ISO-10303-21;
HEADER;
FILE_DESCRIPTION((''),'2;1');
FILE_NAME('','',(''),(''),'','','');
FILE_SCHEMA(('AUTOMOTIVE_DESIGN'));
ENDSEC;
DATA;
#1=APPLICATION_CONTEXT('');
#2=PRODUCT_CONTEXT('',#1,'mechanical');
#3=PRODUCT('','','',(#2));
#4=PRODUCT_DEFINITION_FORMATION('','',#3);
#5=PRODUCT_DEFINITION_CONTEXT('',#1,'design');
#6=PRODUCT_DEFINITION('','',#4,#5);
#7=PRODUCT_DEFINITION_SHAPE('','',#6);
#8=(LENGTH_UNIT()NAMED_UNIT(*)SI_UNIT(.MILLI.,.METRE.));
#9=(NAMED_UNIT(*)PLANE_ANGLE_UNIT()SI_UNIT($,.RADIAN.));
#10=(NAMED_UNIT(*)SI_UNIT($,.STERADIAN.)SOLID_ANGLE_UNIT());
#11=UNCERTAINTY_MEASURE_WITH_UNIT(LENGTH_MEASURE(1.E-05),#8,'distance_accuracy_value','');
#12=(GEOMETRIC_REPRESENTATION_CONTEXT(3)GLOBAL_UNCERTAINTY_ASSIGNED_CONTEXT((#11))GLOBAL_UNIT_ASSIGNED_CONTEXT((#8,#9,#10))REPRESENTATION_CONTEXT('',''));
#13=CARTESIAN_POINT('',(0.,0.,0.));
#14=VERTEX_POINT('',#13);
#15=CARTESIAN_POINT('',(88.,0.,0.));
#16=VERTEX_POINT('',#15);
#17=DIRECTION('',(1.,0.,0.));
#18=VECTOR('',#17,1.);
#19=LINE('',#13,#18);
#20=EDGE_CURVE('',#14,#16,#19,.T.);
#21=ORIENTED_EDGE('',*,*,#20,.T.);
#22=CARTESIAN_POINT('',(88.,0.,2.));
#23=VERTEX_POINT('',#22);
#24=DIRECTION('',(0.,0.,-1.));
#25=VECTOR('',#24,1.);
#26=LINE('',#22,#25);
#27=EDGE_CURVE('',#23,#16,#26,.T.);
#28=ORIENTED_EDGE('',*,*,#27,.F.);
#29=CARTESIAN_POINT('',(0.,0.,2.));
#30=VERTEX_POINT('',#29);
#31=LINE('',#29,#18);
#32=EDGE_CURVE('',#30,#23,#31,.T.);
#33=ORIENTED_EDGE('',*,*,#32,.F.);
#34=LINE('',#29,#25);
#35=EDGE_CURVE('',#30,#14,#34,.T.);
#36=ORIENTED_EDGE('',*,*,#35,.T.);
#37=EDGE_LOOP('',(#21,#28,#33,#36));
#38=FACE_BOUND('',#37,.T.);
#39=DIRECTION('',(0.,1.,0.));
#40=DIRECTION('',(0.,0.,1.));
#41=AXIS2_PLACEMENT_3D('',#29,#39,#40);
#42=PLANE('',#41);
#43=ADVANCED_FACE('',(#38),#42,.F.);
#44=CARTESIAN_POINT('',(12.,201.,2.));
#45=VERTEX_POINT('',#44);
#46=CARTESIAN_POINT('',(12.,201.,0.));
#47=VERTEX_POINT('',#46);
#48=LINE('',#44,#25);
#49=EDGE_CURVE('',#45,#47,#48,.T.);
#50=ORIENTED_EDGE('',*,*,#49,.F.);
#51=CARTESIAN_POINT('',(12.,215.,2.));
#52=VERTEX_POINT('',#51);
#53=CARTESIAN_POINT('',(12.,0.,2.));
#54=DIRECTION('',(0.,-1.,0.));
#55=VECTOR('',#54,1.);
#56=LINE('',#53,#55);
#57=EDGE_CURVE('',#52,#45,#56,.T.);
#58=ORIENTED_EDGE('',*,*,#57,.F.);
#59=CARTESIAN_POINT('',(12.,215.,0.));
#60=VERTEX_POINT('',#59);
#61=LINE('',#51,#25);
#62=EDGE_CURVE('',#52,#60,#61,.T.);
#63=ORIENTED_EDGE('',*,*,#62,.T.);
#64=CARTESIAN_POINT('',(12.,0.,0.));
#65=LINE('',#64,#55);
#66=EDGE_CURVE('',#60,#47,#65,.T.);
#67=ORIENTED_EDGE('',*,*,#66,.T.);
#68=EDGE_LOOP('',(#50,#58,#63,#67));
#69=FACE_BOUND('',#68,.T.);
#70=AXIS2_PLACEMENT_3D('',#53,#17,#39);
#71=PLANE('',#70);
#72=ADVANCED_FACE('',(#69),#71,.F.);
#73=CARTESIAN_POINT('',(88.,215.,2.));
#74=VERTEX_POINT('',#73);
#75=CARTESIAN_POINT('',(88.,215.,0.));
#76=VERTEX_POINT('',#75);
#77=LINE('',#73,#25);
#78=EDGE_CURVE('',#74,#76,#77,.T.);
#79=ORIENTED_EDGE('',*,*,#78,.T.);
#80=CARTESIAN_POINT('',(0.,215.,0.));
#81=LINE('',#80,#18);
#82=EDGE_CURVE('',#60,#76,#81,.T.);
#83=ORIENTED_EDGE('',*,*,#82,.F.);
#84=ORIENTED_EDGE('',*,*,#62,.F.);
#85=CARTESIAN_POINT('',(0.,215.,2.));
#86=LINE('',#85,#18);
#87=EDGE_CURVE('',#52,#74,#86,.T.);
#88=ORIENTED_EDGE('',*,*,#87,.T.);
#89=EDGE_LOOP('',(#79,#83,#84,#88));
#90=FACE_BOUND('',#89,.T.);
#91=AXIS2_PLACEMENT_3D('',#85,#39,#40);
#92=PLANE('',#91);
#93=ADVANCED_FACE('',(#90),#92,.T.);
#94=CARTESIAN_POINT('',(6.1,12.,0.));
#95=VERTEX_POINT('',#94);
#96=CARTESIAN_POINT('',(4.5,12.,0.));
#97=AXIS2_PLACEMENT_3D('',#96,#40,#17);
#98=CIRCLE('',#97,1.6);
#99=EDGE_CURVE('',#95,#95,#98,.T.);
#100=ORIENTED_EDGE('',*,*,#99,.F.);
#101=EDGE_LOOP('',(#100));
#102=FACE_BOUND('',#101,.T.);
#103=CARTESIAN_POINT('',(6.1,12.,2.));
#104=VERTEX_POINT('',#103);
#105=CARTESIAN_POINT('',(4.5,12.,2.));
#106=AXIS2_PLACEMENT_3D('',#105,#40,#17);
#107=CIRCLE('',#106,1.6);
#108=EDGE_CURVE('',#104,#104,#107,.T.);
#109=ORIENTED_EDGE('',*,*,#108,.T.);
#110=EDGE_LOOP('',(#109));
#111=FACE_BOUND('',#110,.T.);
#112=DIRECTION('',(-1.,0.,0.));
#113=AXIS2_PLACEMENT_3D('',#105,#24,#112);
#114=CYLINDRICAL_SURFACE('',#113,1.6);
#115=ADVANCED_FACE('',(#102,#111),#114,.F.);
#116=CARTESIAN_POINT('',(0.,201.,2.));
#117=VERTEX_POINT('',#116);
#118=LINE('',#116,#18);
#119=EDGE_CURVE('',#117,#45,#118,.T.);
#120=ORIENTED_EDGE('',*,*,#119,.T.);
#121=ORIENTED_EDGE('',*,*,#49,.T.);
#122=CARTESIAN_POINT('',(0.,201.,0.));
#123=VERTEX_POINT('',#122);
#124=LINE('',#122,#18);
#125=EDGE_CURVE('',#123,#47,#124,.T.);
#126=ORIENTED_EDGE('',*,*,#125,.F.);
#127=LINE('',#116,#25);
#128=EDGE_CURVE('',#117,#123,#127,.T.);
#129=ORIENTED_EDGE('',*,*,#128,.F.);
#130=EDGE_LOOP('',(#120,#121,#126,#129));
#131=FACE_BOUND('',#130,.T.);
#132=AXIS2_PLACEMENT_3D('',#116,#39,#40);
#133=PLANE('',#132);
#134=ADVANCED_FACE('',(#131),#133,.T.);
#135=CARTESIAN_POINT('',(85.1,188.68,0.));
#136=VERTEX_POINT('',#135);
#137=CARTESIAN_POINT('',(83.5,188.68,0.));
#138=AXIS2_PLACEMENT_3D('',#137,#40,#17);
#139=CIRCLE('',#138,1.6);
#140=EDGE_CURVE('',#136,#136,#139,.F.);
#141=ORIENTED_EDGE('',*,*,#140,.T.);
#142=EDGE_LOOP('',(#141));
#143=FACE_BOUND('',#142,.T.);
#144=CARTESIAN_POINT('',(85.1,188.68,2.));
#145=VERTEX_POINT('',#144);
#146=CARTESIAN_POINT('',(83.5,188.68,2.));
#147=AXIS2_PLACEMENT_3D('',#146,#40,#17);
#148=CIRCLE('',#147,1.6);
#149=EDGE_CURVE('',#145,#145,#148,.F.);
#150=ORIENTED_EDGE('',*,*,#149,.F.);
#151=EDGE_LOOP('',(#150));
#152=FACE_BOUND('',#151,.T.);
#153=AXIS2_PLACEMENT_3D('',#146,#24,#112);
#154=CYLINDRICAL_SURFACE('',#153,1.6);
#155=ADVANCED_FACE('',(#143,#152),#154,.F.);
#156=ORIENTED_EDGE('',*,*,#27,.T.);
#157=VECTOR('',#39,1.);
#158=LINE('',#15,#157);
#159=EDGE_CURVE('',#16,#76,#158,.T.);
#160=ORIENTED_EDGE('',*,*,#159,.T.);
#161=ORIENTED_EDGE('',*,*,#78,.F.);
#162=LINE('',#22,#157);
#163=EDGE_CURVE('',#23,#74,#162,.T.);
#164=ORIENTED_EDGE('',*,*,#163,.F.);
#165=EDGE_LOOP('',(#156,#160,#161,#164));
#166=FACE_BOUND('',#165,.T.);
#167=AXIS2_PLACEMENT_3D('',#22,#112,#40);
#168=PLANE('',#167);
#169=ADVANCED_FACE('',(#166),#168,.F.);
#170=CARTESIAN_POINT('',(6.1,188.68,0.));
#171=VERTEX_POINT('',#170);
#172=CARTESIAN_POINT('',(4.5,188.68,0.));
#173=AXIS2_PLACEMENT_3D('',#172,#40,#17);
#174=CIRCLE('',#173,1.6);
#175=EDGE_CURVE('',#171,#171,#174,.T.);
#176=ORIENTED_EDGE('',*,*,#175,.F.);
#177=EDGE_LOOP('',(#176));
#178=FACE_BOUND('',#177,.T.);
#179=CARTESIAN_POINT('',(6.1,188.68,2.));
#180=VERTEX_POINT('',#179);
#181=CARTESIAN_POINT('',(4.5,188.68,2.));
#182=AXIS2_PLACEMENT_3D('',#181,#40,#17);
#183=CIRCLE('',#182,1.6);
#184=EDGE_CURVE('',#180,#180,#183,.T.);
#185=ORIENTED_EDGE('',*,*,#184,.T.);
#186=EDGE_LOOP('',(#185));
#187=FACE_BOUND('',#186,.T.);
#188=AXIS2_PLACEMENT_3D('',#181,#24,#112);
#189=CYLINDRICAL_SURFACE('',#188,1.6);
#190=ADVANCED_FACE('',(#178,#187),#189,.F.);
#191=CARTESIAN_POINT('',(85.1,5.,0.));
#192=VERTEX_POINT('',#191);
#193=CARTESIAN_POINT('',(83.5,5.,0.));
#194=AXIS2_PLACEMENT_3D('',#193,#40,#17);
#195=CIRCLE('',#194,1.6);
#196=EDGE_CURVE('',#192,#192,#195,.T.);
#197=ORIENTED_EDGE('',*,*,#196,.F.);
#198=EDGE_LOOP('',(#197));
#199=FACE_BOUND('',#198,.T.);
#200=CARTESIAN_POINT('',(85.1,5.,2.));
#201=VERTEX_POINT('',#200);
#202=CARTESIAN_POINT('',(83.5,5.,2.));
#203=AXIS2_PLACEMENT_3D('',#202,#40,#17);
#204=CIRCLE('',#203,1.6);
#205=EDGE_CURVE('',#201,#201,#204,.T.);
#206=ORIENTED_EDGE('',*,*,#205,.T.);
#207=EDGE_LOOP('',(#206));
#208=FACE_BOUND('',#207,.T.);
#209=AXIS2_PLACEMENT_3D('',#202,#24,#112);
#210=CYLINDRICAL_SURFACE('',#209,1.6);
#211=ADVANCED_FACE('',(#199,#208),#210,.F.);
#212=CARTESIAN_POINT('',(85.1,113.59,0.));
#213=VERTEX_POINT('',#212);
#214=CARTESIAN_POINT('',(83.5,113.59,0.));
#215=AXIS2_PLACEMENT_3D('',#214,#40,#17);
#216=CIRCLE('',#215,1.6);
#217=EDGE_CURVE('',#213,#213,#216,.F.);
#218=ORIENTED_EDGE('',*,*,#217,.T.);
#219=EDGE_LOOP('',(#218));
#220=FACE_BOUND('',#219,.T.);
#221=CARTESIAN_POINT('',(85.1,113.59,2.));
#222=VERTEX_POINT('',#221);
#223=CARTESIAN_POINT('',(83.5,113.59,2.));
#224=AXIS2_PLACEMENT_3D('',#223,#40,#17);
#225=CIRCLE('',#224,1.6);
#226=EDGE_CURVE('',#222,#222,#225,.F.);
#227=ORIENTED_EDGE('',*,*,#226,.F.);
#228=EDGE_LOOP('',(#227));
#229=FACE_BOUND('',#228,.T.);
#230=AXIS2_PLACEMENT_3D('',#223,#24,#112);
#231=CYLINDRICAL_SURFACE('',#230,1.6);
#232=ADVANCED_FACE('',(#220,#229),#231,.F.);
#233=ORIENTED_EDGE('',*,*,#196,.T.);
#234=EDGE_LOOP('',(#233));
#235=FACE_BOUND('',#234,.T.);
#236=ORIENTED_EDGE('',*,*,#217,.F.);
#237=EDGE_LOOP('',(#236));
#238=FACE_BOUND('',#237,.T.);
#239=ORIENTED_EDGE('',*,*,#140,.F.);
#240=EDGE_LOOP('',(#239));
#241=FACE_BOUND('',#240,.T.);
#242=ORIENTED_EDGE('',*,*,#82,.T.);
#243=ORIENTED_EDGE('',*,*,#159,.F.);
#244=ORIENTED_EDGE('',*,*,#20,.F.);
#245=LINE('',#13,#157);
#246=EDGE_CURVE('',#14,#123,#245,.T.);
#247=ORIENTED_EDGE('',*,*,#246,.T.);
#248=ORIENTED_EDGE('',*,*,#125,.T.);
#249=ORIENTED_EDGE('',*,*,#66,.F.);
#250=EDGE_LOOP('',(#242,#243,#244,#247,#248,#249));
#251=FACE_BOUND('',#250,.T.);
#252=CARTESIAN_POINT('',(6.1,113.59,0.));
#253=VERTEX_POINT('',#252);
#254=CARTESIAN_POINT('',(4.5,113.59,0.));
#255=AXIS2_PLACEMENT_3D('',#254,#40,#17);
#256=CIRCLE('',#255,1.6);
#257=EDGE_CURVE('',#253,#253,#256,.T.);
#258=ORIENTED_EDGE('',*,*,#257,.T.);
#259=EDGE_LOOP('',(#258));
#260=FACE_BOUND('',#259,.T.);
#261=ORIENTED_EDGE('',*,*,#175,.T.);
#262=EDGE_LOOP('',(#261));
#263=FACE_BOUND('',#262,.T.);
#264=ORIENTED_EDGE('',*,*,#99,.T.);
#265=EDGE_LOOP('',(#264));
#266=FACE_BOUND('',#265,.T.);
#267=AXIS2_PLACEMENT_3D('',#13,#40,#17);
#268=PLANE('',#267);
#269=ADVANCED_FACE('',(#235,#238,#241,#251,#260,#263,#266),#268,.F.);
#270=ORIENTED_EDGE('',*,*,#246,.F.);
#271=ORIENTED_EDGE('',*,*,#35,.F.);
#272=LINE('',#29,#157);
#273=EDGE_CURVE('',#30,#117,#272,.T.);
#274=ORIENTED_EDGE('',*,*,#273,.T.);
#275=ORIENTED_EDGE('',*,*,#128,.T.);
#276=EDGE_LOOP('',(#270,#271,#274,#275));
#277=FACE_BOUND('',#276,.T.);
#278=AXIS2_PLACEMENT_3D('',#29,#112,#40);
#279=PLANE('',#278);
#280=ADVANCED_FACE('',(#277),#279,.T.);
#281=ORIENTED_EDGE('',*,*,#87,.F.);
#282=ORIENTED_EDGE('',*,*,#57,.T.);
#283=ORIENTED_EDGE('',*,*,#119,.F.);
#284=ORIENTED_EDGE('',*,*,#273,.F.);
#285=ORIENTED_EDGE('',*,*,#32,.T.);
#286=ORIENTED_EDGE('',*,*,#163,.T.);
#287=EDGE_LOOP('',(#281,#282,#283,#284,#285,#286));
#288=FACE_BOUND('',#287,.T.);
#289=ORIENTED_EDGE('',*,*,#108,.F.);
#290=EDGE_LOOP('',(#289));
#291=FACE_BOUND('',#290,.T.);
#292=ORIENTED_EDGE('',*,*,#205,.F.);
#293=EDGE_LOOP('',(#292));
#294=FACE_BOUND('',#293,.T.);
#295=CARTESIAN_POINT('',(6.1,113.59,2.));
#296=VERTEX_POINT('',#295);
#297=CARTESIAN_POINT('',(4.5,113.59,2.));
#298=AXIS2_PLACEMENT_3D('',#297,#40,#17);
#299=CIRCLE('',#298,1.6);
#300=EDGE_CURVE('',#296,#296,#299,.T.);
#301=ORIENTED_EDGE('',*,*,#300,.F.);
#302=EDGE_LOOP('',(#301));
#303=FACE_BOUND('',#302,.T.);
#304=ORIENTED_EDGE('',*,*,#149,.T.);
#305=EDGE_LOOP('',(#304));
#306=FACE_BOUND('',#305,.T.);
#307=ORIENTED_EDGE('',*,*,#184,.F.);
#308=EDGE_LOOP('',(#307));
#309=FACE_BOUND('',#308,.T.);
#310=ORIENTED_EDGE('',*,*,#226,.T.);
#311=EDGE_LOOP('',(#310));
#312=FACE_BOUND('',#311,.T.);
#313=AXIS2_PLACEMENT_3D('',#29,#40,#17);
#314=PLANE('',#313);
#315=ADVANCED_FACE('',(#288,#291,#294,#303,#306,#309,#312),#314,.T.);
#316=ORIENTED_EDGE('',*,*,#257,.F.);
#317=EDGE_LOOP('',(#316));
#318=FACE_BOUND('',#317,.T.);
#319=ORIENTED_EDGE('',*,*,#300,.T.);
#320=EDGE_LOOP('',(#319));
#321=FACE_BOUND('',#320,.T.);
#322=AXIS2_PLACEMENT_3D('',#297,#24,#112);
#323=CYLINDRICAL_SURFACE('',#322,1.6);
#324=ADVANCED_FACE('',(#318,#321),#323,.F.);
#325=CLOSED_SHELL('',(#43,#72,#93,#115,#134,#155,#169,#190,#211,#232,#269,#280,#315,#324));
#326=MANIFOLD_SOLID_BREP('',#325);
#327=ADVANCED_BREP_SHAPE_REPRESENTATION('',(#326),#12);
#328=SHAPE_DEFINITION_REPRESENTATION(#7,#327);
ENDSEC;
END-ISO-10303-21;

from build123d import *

# Parameters (mm, degrees)
SKETCH1_R           = 1.6
BOSS_EXTRUDE1_DEPTH = 2


with BuildPart() as part:
    # Sketch1 → Boss-Extrude1 (new body)
    with BuildSketch(Plane.XY):
        Polygon((0, 201), (0, 0), (88, 0), (88, 215), (12, 215), (12, 201), align=None)
        with Locations((4.5, 12)):
            Circle(SKETCH1_R, mode=Mode.SUBTRACT)
        with Locations((83.5, 5)):
            Circle(SKETCH1_R, mode=Mode.SUBTRACT)
        with Locations((4.5, 113.59)):
            Circle(SKETCH1_R, mode=Mode.SUBTRACT)
        with Locations((4.5, 188.68)):
            Circle(SKETCH1_R, mode=Mode.SUBTRACT)
        with Locations((83.5, 113.59)):
            Circle(SKETCH1_R, mode=Mode.SUBTRACT)
        with Locations((83.5, 188.68)):
            Circle(SKETCH1_R, mode=Mode.SUBTRACT)
    extrude(amount=BOSS_EXTRUDE1_DEPTH)


solid = part.part
